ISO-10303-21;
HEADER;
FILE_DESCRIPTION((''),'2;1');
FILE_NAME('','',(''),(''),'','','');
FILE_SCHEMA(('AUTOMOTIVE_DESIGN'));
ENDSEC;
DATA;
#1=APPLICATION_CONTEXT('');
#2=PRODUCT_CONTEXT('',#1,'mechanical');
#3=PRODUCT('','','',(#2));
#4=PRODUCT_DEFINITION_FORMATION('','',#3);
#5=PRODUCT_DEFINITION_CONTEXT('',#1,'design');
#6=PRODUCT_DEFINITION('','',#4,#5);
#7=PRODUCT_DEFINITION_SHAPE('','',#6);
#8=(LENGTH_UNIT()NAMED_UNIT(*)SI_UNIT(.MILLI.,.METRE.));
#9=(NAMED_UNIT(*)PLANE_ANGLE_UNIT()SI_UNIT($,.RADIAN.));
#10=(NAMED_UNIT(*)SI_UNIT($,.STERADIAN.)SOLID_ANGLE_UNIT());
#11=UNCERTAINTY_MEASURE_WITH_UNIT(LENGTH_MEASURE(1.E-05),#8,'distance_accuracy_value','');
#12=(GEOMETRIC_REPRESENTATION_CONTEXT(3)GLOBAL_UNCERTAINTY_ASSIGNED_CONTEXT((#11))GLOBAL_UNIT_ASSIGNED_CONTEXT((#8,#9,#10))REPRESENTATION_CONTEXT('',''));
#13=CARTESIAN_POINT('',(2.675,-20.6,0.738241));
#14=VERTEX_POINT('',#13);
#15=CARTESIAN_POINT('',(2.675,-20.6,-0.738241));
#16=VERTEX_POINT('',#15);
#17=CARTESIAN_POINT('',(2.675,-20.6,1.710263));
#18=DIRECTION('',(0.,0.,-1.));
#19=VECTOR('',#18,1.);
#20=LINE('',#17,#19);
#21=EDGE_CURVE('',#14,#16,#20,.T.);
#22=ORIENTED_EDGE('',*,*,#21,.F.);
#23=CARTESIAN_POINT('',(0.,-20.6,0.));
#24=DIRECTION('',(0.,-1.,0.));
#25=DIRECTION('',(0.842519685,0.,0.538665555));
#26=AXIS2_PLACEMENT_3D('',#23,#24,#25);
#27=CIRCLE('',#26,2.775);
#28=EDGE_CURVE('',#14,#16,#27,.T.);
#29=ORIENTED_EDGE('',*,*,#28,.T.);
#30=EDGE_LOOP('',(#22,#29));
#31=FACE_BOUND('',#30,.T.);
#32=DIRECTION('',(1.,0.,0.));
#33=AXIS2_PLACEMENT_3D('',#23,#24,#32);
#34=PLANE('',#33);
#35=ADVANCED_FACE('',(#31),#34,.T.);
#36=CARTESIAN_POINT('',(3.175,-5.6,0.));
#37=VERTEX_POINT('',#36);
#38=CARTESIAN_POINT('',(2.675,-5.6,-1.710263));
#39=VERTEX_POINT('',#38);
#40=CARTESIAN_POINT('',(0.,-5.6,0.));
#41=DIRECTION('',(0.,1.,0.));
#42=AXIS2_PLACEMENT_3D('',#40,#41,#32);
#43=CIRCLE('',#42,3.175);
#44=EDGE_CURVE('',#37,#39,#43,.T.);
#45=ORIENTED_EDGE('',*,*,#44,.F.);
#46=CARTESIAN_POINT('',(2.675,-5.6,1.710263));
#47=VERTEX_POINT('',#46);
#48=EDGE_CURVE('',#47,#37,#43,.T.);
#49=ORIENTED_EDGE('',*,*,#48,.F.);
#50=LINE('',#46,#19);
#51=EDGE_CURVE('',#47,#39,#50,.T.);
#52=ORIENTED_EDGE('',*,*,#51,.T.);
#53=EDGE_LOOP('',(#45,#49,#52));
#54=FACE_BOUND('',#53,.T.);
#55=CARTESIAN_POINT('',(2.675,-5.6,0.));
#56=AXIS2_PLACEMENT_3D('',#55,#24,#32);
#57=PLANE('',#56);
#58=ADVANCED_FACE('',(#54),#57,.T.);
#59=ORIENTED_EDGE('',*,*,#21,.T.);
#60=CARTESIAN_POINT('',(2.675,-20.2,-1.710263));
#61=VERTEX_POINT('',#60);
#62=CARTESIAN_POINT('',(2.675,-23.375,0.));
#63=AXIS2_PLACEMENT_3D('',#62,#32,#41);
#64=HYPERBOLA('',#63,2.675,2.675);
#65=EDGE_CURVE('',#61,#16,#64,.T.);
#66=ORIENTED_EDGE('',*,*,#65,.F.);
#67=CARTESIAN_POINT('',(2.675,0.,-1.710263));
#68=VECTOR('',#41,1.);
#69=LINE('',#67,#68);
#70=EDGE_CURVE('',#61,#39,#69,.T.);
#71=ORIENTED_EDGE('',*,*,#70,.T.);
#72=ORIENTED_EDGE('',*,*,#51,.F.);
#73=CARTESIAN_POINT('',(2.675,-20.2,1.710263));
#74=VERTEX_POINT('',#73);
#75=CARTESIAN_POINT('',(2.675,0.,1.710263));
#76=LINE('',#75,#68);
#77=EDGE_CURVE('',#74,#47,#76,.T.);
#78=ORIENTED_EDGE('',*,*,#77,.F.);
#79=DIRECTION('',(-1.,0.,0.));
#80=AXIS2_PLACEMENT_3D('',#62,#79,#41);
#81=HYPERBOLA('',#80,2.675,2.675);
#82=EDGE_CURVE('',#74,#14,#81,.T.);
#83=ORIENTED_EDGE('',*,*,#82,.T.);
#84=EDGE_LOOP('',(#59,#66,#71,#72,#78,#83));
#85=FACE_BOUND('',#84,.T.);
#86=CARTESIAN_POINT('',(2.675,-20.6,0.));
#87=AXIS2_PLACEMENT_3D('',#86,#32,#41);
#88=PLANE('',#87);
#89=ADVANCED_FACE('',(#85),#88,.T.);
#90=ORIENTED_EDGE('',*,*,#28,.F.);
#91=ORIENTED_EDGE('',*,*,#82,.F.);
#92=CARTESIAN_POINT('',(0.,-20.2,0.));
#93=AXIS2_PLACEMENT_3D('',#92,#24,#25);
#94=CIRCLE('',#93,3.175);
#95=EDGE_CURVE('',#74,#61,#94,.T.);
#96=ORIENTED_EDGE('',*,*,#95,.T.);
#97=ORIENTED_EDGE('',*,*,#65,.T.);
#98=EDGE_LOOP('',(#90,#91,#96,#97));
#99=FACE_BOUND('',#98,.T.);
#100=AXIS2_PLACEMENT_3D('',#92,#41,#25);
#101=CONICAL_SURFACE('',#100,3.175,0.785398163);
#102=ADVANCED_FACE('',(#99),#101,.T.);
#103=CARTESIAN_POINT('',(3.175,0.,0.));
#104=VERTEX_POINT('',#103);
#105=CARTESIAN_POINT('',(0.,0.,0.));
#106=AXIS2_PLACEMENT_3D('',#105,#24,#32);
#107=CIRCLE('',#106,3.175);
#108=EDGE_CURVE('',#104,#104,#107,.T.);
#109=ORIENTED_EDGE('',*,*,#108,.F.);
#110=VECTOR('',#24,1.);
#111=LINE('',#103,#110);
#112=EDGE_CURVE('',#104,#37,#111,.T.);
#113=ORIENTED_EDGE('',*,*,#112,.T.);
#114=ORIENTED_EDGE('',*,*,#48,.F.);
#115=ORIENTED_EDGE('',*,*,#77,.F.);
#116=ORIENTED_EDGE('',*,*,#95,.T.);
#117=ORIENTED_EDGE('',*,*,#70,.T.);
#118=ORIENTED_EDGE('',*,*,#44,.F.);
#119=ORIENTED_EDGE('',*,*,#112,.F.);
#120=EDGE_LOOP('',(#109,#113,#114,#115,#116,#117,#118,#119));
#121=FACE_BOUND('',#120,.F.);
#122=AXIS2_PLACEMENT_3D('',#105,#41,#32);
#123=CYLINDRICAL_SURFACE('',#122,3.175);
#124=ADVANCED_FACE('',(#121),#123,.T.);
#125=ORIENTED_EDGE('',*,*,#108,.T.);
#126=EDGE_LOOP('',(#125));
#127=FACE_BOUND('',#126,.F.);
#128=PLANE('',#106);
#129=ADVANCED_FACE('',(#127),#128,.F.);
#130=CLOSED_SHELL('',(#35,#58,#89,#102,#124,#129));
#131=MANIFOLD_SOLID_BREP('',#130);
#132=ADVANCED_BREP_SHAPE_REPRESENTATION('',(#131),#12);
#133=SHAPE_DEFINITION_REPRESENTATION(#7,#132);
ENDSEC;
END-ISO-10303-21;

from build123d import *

# Parameters (mm, degrees)
SKETCH015_R          = 3.175
PAD009_DEPTH         = 20.6
SKETCH016_W          = 0.5
SKETCH016_H          = 15
POCKET008_DEPTH      = 3.176
POCKET008_DEPTH_BACK = 3.176
CHAMFER_SIZE         = 0.4


with BuildPart() as part:
    # Sketch015 → Pad009 (new body)
    with BuildSketch(Plane.XZ):
        Circle(SKETCH015_R)
    extrude(amount=PAD009_DEPTH)

    # Sketch016 → Pocket008 (cut, two sides)
    with BuildSketch(Plane.XY) as pocket008_sk:
        with Locations((2.925, -13.1)):
            Rectangle(SKETCH016_W, SKETCH016_H)
    extrude(amount=-POCKET008_DEPTH, mode=Mode.SUBTRACT)
    extrude(pocket008_sk.sketch, amount=POCKET008_DEPTH_BACK, mode=Mode.SUBTRACT)

    # Chamfer
    chamfer_edges = [part.edges().sort_by_distance(p)[0] for p in [
        (-3.175, -20.6, 0),
    ]]
    chamfer(chamfer_edges, length=CHAMFER_SIZE)


solid = part.part
